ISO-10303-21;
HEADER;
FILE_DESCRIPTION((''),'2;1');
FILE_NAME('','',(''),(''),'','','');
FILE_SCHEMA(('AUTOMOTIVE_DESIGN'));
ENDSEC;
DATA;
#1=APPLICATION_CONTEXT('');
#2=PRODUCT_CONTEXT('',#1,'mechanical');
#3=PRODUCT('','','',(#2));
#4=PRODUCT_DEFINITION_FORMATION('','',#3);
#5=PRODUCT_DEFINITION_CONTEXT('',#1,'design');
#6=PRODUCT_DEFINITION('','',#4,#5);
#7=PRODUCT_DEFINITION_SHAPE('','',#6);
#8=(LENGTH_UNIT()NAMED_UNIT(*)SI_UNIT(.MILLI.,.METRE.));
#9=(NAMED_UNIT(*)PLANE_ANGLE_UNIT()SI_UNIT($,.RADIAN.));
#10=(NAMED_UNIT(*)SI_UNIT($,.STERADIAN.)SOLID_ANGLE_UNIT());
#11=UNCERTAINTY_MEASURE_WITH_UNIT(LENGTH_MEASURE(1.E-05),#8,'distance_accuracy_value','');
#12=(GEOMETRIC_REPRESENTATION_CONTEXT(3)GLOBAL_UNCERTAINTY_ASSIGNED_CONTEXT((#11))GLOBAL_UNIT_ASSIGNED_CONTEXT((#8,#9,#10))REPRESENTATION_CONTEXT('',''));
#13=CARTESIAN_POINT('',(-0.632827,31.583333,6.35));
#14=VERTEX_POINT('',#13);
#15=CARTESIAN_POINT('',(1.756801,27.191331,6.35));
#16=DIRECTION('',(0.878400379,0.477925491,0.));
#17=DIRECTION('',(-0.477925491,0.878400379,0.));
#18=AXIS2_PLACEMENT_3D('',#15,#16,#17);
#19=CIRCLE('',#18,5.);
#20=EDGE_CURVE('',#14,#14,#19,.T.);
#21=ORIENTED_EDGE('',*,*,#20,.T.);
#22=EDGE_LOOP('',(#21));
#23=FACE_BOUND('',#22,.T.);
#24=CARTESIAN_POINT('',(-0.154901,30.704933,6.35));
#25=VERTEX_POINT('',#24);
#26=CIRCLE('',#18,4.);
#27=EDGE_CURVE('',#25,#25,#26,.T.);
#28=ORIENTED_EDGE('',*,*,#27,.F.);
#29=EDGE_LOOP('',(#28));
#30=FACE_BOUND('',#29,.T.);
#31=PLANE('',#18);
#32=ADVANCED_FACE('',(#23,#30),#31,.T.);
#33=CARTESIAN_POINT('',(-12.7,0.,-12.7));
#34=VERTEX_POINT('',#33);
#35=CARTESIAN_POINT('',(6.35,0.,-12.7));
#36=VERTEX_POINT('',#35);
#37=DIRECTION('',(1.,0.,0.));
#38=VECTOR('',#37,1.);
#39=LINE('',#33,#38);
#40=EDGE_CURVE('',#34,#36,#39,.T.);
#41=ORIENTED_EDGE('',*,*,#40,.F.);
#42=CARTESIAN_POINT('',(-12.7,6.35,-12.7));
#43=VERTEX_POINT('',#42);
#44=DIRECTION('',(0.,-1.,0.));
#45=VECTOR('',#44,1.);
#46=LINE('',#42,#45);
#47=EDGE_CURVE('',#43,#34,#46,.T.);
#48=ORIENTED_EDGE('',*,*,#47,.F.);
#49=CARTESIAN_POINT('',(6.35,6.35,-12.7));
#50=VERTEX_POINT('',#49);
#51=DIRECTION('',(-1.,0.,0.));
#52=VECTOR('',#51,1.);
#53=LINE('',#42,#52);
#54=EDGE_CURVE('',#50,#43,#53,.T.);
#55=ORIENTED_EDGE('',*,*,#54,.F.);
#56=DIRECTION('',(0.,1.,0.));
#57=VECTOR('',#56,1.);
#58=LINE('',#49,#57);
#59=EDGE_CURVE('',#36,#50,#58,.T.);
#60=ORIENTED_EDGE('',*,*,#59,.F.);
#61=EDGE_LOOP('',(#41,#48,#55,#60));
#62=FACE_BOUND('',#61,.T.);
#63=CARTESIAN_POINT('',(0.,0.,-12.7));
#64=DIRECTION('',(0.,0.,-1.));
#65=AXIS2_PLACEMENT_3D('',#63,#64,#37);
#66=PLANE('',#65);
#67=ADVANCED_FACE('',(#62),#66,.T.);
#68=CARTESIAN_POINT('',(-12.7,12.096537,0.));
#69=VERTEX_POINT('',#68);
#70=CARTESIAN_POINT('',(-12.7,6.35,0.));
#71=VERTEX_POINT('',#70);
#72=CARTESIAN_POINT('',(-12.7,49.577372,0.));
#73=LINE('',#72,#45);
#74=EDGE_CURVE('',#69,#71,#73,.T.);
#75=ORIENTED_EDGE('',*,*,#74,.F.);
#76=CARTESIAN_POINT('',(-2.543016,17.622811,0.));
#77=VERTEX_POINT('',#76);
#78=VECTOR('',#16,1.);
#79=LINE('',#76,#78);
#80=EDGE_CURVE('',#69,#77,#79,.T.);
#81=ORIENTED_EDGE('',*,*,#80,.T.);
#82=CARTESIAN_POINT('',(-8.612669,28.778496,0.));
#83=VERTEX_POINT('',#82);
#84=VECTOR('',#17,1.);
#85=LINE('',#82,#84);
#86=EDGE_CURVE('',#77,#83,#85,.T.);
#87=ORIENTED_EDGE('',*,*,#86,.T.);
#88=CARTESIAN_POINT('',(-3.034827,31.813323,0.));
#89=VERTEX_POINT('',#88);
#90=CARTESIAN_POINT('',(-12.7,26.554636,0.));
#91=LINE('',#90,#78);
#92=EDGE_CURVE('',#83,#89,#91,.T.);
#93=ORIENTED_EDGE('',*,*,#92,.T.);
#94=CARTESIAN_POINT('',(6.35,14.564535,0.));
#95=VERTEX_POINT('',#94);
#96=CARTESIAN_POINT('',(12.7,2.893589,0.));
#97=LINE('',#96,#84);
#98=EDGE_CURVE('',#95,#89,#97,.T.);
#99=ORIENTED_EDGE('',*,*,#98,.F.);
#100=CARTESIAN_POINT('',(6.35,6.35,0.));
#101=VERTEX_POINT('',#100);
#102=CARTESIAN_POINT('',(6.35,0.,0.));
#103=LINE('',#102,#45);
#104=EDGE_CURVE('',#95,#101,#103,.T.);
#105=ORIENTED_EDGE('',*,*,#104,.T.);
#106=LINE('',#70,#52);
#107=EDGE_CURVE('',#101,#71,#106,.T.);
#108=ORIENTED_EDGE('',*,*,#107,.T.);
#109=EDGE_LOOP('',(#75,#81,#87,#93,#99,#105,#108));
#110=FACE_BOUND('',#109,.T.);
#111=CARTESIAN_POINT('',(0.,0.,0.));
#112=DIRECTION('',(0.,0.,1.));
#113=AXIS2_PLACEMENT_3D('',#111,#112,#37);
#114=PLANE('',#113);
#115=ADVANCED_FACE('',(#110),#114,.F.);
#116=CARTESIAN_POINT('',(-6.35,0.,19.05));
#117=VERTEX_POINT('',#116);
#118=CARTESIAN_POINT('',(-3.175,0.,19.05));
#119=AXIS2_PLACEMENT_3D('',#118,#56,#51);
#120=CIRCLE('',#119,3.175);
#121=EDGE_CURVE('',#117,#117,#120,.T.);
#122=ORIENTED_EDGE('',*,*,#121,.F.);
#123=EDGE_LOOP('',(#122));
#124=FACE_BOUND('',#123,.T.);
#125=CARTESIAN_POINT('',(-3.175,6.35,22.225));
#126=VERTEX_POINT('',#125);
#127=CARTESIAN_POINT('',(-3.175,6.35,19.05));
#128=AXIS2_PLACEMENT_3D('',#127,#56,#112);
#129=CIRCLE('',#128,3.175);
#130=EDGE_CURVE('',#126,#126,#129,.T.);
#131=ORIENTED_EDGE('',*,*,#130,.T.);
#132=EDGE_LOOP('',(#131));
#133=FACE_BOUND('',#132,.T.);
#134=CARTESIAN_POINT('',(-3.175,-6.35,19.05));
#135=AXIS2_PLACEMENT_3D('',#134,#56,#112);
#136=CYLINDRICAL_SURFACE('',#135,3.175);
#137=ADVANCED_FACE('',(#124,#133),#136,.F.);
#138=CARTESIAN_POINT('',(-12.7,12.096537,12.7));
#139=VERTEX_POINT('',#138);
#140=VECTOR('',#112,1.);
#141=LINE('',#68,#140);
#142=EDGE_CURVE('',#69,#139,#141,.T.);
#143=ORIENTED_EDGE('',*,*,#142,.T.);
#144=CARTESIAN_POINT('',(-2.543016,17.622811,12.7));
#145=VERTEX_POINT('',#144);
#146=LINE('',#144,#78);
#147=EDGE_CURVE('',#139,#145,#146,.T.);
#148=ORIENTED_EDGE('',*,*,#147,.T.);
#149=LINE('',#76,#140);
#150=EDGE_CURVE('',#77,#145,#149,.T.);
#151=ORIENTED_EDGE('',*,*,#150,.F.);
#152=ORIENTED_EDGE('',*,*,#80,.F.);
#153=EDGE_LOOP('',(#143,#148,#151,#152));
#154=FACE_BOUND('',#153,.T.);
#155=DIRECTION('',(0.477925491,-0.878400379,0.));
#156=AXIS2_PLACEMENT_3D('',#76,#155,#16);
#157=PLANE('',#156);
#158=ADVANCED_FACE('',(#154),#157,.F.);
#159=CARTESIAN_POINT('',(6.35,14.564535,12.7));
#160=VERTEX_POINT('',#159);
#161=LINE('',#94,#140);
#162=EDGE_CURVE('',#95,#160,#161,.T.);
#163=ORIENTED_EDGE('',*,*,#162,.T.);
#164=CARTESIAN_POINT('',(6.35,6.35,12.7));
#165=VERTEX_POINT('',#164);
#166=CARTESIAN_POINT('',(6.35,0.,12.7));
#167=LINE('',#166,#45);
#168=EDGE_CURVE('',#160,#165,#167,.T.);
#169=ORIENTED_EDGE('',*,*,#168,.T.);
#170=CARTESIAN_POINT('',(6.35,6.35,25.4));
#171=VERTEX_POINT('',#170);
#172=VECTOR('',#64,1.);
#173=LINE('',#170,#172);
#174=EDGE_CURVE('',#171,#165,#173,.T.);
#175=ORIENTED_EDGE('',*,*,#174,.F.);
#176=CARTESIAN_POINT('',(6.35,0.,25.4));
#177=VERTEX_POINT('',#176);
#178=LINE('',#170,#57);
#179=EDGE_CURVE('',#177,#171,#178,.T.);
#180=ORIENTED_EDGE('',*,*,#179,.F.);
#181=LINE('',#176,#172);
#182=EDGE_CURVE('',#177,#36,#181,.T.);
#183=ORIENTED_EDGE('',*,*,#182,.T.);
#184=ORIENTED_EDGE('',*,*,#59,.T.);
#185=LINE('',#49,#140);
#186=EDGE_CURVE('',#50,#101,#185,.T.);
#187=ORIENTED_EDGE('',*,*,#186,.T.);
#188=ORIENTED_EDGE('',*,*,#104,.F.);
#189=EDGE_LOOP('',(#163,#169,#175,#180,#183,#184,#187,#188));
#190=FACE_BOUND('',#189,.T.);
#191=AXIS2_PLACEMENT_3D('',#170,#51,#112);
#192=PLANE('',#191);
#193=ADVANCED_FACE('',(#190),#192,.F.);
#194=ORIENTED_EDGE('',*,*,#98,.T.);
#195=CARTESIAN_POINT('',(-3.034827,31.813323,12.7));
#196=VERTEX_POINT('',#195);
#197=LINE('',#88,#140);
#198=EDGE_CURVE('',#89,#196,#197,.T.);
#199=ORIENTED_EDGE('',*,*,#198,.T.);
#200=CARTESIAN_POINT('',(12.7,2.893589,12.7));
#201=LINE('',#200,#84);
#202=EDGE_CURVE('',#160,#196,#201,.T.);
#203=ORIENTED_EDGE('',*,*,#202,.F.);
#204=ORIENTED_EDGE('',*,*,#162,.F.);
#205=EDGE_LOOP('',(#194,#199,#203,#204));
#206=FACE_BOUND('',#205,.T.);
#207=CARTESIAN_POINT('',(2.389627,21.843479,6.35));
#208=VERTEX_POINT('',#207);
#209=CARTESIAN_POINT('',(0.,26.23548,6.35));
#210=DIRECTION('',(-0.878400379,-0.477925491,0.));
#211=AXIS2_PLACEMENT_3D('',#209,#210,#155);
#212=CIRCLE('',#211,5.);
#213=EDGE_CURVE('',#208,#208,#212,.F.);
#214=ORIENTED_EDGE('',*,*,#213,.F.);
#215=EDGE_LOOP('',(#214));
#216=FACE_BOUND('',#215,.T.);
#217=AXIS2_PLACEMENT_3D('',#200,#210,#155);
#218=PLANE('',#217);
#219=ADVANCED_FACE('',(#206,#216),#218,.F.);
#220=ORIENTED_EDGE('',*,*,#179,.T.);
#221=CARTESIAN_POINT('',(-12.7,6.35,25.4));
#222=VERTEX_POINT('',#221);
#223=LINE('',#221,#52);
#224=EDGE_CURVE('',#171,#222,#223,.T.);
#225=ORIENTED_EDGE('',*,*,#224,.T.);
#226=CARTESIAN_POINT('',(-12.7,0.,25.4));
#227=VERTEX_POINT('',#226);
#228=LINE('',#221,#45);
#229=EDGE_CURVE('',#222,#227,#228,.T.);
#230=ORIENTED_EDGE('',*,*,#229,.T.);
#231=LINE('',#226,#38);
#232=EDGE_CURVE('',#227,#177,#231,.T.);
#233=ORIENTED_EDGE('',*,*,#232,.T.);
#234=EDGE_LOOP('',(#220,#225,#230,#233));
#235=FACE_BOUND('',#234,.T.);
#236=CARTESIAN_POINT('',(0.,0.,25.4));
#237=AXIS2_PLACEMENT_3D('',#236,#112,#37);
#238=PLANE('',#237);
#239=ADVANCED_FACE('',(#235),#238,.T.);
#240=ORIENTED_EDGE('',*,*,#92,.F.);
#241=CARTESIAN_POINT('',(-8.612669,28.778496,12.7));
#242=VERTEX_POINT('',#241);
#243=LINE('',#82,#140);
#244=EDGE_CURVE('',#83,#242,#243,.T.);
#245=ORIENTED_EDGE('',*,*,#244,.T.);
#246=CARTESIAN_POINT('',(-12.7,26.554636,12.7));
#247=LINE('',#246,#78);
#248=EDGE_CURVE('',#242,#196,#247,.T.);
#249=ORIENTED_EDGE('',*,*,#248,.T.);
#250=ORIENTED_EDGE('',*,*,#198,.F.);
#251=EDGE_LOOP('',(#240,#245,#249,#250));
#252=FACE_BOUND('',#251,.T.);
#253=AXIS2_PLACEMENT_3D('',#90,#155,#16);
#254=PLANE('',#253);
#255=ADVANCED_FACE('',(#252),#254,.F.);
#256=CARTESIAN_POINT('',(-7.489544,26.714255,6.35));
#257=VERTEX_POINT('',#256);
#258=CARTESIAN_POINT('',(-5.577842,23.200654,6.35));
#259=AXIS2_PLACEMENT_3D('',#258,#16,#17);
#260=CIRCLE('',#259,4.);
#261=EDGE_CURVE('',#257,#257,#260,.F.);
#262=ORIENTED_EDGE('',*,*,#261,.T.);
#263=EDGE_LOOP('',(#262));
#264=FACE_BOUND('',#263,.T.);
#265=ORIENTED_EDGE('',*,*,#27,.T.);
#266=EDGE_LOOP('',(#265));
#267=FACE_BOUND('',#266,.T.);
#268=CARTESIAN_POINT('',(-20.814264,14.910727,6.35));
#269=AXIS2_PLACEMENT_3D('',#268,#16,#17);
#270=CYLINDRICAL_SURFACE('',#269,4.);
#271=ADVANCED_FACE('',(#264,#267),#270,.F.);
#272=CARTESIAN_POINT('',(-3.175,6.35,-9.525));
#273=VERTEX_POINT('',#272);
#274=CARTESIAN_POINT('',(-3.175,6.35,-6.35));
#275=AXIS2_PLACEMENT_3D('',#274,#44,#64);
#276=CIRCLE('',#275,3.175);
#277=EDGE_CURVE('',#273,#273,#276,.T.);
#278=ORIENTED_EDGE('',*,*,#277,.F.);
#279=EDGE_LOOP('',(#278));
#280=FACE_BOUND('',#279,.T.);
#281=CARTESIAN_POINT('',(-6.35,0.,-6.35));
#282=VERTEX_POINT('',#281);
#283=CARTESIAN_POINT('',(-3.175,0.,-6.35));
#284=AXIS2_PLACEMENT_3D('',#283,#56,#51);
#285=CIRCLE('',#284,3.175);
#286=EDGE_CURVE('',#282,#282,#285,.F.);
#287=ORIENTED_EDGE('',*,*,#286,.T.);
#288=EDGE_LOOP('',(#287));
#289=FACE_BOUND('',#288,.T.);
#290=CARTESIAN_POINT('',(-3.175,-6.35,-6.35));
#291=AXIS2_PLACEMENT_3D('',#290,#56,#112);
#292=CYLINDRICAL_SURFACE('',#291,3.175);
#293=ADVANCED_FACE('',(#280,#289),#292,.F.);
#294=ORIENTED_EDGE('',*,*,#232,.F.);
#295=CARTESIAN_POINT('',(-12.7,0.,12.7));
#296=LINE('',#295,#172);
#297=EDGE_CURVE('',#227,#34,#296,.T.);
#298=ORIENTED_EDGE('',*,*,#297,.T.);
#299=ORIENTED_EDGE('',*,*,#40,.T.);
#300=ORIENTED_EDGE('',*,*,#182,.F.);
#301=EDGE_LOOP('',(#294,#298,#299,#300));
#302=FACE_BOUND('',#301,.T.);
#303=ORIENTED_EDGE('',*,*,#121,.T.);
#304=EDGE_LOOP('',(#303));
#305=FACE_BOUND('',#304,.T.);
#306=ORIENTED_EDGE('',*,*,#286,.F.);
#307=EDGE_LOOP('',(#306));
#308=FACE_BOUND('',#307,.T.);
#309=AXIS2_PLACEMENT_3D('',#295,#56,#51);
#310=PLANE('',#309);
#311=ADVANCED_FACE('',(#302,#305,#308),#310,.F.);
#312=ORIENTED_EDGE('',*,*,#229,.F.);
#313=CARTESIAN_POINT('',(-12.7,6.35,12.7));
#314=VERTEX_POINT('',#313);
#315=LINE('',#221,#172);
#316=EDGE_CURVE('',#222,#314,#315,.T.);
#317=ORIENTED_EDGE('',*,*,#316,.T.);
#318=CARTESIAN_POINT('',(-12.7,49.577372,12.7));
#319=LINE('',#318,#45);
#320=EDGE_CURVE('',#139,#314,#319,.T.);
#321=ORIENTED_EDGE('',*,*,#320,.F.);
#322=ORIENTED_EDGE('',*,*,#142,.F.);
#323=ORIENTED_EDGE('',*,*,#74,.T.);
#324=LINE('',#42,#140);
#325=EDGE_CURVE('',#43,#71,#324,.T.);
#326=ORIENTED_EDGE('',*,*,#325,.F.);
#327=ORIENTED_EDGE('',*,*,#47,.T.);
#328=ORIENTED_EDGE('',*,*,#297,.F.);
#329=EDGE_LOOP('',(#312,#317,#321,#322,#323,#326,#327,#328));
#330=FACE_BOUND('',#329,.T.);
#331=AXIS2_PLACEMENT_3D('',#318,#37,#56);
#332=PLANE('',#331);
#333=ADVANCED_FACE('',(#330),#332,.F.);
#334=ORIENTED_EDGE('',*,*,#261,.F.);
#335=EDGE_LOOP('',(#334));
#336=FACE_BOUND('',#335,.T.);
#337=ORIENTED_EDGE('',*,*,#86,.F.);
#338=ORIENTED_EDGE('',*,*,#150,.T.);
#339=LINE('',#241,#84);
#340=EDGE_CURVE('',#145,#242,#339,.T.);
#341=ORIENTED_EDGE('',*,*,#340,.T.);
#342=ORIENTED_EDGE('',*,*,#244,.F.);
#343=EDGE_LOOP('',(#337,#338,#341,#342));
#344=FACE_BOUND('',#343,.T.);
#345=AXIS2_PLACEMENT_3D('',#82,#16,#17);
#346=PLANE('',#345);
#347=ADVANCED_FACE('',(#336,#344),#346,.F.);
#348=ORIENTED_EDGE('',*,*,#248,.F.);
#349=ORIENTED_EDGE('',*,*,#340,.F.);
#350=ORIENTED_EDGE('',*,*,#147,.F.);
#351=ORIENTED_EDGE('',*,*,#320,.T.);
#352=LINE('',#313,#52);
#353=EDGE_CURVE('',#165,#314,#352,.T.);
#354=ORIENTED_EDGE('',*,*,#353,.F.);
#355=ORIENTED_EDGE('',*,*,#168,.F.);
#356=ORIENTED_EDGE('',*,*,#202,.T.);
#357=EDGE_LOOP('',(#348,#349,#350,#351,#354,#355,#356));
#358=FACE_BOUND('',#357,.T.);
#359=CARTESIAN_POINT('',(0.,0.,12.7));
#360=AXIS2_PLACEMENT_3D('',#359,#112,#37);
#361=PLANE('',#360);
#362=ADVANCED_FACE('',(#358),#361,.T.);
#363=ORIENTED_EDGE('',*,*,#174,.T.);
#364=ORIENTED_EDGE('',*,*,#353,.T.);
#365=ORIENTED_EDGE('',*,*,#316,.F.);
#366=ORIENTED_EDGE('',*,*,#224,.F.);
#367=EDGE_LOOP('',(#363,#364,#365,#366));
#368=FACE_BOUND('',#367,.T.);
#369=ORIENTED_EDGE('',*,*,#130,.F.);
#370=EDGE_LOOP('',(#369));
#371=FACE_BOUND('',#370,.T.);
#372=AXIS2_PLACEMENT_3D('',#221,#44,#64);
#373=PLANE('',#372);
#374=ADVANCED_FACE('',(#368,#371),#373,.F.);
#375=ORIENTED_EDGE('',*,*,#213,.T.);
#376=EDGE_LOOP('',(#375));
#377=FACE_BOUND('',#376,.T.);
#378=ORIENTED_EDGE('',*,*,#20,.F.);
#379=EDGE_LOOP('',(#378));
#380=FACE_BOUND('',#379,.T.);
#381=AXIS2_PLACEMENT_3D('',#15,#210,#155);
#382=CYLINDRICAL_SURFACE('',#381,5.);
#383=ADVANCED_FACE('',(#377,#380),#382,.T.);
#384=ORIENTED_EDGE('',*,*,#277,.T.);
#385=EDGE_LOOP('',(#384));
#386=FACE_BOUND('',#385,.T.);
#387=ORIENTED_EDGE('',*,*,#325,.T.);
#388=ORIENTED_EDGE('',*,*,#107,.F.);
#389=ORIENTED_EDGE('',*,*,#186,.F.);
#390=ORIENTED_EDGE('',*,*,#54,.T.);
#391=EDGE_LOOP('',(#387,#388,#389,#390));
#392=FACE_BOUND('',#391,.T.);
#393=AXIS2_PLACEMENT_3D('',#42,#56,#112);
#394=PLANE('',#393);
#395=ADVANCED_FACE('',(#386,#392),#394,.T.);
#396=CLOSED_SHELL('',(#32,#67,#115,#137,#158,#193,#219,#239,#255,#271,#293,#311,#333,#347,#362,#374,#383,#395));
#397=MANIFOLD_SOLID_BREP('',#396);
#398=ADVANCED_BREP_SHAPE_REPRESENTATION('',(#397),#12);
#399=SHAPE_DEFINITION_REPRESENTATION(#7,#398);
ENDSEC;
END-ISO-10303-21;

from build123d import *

# Parameters (mm, degrees)
BOSS_EXTRUDE1_DEPTH = 12.7
CUT_EXTRUDE3_REACH  = 25.694
SKETCH2_R           = 4
SKETCH4_R           = 5
SKETCH4_R_2         = 4
BOSS_EXTRUDE2_DEPTH = 2
CUT_EXTRUDE4_REACH  = 14.7
SKETCH5_W           = 6.909894264
SKETCH5_H           = 12.7
SKETCH7_W           = 19.05
SKETCH7_H           = 6.35
BOSS_EXTRUDE3_DEPTH = 12.7
CUT_EXTRUDE5_DEPTH  = 12.7
SKETCH9_R           = 3.175
CUT_EXTRUDE6_DEPTH  = 12.7
SKETCH11_W          = 6.35
SKETCH11_H          = 14.564534892
CUT_EXTRUDE7_DEPTH  = 12.7


with BuildPart() as part:
    # Sketch1 → Boss-Extrude1 (new body)
    with BuildSketch(Plane.XY):
        Polygon((-12.7, 0), (12.7, 0), (12.7, 2.893589299), (-12.7, 49.577371669), align=None)
    extrude(amount=BOSS_EXTRUDE1_DEPTH)

    # Sketch2 → Cut-Extrude3 (cut, up to next)
    with BuildSketch(Plane(origin=(11.013915285, 5.992518901, 0), x_dir=(0.477925491, -0.878400379, 0), z_dir=(0.878400379, 0.477925491, 0)), mode=Mode.PRIVATE) as cut_extrude3_sk1:
        with Locations((-23.045255988, -6.35)):
            Circle(SKETCH2_R)
    cut_extrude3_tool1 = extrude(cut_extrude3_sk1.sketch, amount=-CUT_EXTRUDE3_REACH, mode=Mode.PRIVATE) & part.part
    add(cut_extrude3_tool1.solids().sort_by_distance((0, 26.23548, 6.35))[0], mode=Mode.SUBTRACT)

    # Sketch4 → Boss-Extrude2 (add)
    with BuildSketch(Plane(origin=(11.013915285, 5.992518901, 0), x_dir=(0.477925491, -0.878400379, 0), z_dir=(0.878400379, 0.477925491, 0))):
        with Locations((-23.045255988, -6.35)):
            Circle(SKETCH4_R)
        with Locations((-23.045255988, -6.35)):
            Circle(SKETCH4_R_2, mode=Mode.SUBTRACT)
    extrude(amount=BOSS_EXTRUDE2_DEPTH)

    # Sketch5 → Cut-Extrude4 (cut, up to next)
    with BuildSketch(Plane.XY.offset(12.7), mode=Mode.PRIVATE) as cut_extrude4_sk1:
        with Locations((-9.245052868, 43.227371669)):
            Rectangle(SKETCH5_W, SKETCH5_H)
    cut_extrude4_tool1 = extrude(cut_extrude4_sk1.sketch, amount=-CUT_EXTRUDE4_REACH, mode=Mode.PRIVATE) & part.part
    add(cut_extrude4_tool1.solids().sort_by_distance((-9.245053, 43.227372, 12.7))[0], mode=Mode.SUBTRACT)

    # Sketch7 → Boss-Extrude3 (add)
    with BuildSketch(Plane.XY.offset(12.7)):
        with Locations((-3.175, 3.175)):
            Rectangle(SKETCH7_W, SKETCH7_H)
    boss_extrude3 = extrude(amount=BOSS_EXTRUDE3_DEPTH)

    # Sketch8 → Cut-Extrude5 (cut)
    with BuildSketch(Plane.XY.offset(12.7)):
        Polygon((-8.612669272, 28.778496019), (-2.543015535, 17.622811212), (-12.7, 12.096536512), (-12.7, 26.554635929), align=None)
    extrude(amount=-CUT_EXTRUDE5_DEPTH, mode=Mode.SUBTRACT)

    # Sketch9 → Cut-Extrude6 (cut)
    with BuildSketch(Plane(origin=(0, 6.35, 0), x_dir=(1, 0, 0), z_dir=(0, 1, 0))):
        with Locations((-3.175, -19.05)):
            Circle(SKETCH9_R)
    cut_extrude6 = extrude(amount=-CUT_EXTRUDE6_DEPTH, mode=Mode.SUBTRACT)

    # Mirror1: Boss-Extrude3, Cut-Extrude6 across plane
    add(boss_extrude3.mirror(Plane.XY.offset(6.35)))
    add(cut_extrude6.mirror(Plane.XY.offset(6.35)), mode=Mode.SUBTRACT)

    # Sketch11 → Cut-Extrude7 (cut)
    with BuildSketch(Plane.XY.offset(12.7)):
        Polygon((-12.7, 26.554635929), (-3.034826868, 31.813322888), (-5.790105736, 36.877371669), (-12.7, 36.877371669), align=None)
        with Locations((9.525, 7.282267446)):
            Rectangle(SKETCH11_W, SKETCH11_H)
    extrude(amount=-CUT_EXTRUDE7_DEPTH, mode=Mode.SUBTRACT)


solid = part.part
